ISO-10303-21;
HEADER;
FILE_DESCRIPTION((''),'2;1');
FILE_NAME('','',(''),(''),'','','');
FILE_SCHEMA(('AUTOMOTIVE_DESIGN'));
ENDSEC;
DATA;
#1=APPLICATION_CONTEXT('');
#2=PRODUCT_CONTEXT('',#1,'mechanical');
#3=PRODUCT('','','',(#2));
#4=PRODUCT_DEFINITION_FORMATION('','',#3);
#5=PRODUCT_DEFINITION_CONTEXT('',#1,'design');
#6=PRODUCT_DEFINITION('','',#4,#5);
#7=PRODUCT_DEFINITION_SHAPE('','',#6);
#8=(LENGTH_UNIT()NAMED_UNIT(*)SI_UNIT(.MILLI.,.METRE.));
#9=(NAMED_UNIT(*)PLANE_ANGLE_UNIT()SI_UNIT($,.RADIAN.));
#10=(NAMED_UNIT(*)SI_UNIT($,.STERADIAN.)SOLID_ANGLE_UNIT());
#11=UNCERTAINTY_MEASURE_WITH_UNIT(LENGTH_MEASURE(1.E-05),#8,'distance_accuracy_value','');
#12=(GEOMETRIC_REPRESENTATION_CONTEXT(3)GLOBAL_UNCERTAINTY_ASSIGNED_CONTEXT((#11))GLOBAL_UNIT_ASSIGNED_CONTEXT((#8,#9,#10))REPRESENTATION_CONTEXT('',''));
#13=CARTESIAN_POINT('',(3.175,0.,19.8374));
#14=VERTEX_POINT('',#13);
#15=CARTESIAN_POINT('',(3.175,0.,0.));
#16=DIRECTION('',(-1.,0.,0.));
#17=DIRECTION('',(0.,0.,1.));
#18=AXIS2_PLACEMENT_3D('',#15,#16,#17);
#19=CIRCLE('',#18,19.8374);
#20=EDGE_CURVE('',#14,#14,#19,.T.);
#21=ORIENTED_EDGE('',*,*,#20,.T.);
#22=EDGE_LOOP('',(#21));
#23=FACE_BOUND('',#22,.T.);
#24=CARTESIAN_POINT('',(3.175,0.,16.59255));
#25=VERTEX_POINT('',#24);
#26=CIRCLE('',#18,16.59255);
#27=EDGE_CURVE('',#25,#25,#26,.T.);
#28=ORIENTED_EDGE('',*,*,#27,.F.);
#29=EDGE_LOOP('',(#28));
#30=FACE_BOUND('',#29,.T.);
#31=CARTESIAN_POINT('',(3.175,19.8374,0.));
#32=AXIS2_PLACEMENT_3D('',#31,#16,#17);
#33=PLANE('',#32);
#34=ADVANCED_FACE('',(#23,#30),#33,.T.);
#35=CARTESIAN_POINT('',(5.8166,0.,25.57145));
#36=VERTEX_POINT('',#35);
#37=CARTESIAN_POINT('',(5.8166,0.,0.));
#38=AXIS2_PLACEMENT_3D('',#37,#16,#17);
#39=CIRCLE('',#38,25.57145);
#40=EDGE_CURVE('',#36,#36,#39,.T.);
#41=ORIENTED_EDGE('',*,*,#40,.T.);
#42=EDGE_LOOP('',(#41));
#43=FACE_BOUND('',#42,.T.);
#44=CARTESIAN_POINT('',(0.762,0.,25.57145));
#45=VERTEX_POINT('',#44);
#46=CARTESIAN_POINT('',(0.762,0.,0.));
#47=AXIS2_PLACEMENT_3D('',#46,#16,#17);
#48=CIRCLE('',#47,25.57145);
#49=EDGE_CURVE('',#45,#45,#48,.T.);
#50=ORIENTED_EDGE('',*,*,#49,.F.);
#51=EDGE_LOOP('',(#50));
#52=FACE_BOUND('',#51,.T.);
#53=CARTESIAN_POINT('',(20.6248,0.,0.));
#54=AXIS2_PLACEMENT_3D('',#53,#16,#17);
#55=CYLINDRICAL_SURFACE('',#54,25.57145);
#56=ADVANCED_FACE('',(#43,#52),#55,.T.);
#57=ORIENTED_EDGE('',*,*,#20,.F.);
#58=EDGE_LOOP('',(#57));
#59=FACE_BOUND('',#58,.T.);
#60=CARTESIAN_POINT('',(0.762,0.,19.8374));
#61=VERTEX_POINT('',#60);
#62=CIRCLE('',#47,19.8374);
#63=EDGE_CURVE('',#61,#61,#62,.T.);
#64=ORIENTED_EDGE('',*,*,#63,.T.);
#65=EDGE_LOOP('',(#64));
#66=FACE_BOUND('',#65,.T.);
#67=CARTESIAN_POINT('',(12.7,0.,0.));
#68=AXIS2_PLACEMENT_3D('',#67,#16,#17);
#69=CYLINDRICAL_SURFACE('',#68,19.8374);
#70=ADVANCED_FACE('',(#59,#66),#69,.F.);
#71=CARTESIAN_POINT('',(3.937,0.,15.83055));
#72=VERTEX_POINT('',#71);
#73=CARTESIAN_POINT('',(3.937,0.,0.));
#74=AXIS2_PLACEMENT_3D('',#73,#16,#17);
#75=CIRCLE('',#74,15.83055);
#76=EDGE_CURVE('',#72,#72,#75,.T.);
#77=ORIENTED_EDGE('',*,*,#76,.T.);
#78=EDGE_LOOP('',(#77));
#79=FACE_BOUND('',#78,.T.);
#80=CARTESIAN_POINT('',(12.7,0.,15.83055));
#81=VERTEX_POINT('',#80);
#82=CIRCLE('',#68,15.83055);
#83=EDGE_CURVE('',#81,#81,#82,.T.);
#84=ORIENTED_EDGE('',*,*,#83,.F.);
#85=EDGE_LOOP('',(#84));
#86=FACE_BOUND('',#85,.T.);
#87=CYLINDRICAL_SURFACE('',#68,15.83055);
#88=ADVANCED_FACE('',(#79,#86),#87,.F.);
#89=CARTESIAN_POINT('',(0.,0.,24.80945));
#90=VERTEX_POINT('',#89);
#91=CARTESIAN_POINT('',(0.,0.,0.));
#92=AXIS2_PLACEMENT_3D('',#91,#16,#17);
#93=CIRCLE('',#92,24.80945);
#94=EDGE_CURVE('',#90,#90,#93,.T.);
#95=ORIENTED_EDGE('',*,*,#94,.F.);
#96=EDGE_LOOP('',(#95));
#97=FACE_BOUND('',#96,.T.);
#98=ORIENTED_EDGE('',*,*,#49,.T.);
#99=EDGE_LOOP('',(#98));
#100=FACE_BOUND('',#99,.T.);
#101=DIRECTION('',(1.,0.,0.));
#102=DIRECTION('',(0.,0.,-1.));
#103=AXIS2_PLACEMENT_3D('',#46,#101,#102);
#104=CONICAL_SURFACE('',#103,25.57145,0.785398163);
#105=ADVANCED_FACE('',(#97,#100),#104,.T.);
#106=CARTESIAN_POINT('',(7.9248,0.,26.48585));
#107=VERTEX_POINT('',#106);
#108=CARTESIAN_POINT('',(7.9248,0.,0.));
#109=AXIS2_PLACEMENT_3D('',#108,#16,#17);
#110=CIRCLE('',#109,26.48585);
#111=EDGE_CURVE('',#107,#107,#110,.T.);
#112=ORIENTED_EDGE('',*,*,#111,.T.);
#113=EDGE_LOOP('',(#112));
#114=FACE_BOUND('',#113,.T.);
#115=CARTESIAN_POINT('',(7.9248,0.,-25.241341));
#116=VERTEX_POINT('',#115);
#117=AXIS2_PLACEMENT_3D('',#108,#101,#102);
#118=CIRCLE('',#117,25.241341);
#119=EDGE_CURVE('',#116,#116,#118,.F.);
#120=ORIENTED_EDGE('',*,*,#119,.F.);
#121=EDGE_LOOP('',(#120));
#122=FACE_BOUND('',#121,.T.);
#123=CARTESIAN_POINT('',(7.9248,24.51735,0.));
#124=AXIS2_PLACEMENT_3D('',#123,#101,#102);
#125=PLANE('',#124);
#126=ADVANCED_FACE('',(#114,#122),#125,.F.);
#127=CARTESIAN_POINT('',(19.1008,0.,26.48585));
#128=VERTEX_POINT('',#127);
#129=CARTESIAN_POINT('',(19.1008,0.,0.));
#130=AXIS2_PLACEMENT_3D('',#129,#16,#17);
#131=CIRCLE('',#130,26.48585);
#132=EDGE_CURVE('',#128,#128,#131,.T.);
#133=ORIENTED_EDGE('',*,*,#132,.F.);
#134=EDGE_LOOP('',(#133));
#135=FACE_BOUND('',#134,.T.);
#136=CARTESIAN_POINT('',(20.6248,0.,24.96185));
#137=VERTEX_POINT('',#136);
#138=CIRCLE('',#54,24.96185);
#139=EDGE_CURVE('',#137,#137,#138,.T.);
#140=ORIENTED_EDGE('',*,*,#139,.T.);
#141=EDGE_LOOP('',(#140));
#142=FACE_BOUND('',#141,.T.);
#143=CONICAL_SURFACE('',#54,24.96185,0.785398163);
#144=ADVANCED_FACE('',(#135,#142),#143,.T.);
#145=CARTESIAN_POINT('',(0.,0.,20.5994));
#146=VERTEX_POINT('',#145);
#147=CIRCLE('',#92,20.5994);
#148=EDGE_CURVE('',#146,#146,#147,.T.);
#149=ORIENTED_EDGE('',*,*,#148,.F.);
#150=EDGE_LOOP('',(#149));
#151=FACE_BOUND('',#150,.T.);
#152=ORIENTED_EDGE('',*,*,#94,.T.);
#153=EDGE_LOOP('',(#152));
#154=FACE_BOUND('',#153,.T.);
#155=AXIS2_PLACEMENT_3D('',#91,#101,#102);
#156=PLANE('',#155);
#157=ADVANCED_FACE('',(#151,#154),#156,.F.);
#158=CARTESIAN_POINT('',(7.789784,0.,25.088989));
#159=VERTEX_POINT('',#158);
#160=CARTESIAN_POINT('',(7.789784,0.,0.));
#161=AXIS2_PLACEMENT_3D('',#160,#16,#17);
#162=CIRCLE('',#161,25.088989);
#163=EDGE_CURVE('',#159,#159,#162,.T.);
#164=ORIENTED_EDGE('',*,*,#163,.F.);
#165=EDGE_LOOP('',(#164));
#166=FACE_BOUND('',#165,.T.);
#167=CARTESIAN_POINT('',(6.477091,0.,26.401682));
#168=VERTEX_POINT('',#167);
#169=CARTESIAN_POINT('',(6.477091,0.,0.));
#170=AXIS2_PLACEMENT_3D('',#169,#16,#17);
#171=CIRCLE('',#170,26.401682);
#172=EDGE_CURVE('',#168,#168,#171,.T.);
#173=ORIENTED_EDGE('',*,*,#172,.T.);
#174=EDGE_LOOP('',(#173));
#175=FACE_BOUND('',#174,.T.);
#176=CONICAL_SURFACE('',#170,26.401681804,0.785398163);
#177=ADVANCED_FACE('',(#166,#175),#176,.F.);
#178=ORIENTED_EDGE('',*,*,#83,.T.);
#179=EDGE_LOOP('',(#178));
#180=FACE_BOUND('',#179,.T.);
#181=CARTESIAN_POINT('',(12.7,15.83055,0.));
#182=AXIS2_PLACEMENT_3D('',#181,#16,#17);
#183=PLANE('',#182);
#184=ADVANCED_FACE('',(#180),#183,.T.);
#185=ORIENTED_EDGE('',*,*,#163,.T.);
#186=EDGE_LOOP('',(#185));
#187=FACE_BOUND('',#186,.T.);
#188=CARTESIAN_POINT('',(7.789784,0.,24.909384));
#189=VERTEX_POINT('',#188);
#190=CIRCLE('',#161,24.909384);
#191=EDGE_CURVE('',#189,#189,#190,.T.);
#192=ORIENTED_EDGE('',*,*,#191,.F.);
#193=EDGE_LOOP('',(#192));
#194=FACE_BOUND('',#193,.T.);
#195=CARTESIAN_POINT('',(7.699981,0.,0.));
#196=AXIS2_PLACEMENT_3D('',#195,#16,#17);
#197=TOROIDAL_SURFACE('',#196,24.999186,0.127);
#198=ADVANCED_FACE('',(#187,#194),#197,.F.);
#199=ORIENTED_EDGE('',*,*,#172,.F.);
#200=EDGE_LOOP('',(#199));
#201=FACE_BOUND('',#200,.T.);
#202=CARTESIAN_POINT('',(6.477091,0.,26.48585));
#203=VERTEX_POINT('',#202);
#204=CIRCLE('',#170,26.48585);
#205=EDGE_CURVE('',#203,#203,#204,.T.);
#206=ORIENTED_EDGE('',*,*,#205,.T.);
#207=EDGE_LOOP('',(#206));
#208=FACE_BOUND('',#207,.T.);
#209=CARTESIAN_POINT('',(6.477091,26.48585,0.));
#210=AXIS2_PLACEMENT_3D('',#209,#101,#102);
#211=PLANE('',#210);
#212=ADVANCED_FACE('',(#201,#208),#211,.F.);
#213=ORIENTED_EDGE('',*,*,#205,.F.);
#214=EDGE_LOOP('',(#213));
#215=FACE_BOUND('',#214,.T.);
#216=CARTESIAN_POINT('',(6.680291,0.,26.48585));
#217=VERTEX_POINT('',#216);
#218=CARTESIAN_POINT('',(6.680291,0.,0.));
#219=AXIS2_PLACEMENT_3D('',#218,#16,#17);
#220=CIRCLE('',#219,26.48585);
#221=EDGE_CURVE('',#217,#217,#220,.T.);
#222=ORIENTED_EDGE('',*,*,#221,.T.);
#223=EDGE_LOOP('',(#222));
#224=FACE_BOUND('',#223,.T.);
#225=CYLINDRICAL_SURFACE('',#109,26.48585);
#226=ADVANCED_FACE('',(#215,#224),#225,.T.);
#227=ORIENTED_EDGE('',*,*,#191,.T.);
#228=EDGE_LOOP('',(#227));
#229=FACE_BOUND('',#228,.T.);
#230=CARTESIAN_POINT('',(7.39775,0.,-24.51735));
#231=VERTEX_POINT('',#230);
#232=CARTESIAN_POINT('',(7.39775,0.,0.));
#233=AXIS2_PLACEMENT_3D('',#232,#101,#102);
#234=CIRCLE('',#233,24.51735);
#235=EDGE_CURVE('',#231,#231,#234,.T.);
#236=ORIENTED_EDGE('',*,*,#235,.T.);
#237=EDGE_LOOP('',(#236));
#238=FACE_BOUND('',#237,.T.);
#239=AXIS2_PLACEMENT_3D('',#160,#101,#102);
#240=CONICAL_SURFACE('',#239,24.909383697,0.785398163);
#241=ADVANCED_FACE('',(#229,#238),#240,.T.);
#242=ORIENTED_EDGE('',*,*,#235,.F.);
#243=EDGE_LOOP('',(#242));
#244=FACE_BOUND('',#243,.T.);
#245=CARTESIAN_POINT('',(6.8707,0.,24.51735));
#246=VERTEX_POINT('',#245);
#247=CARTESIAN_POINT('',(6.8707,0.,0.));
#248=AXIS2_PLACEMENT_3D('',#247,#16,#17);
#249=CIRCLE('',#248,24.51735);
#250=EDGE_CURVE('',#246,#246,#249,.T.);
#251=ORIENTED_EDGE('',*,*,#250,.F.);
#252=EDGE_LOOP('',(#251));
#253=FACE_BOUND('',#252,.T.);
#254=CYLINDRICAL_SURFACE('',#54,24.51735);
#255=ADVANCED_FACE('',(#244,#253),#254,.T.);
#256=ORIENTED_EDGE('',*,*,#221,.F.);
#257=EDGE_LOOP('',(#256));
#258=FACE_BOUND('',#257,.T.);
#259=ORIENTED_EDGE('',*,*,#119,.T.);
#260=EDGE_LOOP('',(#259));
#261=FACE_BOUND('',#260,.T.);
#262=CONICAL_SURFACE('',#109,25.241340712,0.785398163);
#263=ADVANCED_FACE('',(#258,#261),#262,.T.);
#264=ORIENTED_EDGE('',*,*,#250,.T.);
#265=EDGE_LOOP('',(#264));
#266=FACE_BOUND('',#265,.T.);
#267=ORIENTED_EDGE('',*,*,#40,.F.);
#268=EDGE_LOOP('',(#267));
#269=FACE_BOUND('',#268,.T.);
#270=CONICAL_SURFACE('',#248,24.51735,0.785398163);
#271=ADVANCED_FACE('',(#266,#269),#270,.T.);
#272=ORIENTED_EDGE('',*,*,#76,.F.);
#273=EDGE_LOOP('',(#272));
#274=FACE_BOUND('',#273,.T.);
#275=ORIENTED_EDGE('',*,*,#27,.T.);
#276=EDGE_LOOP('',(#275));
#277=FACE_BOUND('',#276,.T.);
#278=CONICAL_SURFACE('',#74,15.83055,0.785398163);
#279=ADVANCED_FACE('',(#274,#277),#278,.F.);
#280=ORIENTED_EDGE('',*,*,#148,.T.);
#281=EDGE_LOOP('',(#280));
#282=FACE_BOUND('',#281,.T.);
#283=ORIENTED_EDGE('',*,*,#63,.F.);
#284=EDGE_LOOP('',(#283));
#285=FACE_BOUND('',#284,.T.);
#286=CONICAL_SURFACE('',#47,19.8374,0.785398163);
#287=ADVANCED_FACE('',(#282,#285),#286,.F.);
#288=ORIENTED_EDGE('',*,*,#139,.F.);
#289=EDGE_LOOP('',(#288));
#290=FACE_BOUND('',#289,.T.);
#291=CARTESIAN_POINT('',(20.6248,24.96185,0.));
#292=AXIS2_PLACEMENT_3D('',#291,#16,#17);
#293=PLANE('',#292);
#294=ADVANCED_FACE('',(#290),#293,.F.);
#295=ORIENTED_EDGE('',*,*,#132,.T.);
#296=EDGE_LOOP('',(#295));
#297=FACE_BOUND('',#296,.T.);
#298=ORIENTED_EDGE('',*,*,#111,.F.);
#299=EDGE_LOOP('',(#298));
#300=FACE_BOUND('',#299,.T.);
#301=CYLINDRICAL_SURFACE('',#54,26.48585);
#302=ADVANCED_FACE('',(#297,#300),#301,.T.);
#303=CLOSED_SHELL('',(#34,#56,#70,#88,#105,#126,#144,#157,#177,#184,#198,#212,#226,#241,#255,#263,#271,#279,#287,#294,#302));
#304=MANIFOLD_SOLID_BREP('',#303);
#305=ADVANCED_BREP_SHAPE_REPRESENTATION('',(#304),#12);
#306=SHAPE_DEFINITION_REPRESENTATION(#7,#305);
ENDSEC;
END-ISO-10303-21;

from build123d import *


with BuildPart() as part:
    # Sketch1 → Revolve1 (revolve)
    with BuildSketch(Plane.XY):
        Polygon((0, 0), (0, 24.80945), (0.762, 25.57145), (5.8166, 25.57145), (6.8707, 24.51735), (7.9248, 24.51735), (7.9248, 26.48585), (19.1008, 26.48585), (20.6248, 24.96185), (20.6248, 0), align=None)
    revolve(axis=Axis((20.6248, 0, 0), (-1, 0, 0)))

    # Sketch2 → Revolve2 (revolve)
    with BuildSketch(Plane.XY):
        with BuildLine():
            Line((6.477090712, 26.401681804), (7.789783697, 25.088988819))
            ThreePointArc((7.789783697, 25.088988819), (7.826981136, 24.999186258), (7.789783697, 24.909383697))
            Line((7.789783697, 24.909383697), (7.39775, 24.51735))
            Line((7.39775, 24.51735), (6.8707, 24.51735))
            Line((6.8707, 24.51735), (6.8707, 24.26335))
            Line((6.8707, 24.26335), (7.9248, 24.26335))
            Line((7.9248, 24.26335), (7.9248, 25.241340712))
            Line((7.9248, 25.241340712), (6.680290712, 26.48585))
            Line((6.680290712, 26.48585), (6.477090712, 26.48585))
            Line((6.477090712, 26.48585), (6.477090712, 26.401681804))
        make_face()
    revolve(axis=Axis((7.9248, 0, 0), (-1, 0, 0)))

    # Sketch3 → Cut-Revolve1 (revolve, cut)
    with BuildSketch(Plane.XY):
        Polygon((0, 0), (0, 20.5994), (0.762, 19.8374), (3.175, 19.8374), (3.175, 16.59255), (3.937, 15.83055), (12.7, 15.83055), (12.7, 0), align=None)
    revolve(axis=Axis((12.7, 0, 0), (-1, 0, 0)), mode=Mode.SUBTRACT)


solid = part.part
